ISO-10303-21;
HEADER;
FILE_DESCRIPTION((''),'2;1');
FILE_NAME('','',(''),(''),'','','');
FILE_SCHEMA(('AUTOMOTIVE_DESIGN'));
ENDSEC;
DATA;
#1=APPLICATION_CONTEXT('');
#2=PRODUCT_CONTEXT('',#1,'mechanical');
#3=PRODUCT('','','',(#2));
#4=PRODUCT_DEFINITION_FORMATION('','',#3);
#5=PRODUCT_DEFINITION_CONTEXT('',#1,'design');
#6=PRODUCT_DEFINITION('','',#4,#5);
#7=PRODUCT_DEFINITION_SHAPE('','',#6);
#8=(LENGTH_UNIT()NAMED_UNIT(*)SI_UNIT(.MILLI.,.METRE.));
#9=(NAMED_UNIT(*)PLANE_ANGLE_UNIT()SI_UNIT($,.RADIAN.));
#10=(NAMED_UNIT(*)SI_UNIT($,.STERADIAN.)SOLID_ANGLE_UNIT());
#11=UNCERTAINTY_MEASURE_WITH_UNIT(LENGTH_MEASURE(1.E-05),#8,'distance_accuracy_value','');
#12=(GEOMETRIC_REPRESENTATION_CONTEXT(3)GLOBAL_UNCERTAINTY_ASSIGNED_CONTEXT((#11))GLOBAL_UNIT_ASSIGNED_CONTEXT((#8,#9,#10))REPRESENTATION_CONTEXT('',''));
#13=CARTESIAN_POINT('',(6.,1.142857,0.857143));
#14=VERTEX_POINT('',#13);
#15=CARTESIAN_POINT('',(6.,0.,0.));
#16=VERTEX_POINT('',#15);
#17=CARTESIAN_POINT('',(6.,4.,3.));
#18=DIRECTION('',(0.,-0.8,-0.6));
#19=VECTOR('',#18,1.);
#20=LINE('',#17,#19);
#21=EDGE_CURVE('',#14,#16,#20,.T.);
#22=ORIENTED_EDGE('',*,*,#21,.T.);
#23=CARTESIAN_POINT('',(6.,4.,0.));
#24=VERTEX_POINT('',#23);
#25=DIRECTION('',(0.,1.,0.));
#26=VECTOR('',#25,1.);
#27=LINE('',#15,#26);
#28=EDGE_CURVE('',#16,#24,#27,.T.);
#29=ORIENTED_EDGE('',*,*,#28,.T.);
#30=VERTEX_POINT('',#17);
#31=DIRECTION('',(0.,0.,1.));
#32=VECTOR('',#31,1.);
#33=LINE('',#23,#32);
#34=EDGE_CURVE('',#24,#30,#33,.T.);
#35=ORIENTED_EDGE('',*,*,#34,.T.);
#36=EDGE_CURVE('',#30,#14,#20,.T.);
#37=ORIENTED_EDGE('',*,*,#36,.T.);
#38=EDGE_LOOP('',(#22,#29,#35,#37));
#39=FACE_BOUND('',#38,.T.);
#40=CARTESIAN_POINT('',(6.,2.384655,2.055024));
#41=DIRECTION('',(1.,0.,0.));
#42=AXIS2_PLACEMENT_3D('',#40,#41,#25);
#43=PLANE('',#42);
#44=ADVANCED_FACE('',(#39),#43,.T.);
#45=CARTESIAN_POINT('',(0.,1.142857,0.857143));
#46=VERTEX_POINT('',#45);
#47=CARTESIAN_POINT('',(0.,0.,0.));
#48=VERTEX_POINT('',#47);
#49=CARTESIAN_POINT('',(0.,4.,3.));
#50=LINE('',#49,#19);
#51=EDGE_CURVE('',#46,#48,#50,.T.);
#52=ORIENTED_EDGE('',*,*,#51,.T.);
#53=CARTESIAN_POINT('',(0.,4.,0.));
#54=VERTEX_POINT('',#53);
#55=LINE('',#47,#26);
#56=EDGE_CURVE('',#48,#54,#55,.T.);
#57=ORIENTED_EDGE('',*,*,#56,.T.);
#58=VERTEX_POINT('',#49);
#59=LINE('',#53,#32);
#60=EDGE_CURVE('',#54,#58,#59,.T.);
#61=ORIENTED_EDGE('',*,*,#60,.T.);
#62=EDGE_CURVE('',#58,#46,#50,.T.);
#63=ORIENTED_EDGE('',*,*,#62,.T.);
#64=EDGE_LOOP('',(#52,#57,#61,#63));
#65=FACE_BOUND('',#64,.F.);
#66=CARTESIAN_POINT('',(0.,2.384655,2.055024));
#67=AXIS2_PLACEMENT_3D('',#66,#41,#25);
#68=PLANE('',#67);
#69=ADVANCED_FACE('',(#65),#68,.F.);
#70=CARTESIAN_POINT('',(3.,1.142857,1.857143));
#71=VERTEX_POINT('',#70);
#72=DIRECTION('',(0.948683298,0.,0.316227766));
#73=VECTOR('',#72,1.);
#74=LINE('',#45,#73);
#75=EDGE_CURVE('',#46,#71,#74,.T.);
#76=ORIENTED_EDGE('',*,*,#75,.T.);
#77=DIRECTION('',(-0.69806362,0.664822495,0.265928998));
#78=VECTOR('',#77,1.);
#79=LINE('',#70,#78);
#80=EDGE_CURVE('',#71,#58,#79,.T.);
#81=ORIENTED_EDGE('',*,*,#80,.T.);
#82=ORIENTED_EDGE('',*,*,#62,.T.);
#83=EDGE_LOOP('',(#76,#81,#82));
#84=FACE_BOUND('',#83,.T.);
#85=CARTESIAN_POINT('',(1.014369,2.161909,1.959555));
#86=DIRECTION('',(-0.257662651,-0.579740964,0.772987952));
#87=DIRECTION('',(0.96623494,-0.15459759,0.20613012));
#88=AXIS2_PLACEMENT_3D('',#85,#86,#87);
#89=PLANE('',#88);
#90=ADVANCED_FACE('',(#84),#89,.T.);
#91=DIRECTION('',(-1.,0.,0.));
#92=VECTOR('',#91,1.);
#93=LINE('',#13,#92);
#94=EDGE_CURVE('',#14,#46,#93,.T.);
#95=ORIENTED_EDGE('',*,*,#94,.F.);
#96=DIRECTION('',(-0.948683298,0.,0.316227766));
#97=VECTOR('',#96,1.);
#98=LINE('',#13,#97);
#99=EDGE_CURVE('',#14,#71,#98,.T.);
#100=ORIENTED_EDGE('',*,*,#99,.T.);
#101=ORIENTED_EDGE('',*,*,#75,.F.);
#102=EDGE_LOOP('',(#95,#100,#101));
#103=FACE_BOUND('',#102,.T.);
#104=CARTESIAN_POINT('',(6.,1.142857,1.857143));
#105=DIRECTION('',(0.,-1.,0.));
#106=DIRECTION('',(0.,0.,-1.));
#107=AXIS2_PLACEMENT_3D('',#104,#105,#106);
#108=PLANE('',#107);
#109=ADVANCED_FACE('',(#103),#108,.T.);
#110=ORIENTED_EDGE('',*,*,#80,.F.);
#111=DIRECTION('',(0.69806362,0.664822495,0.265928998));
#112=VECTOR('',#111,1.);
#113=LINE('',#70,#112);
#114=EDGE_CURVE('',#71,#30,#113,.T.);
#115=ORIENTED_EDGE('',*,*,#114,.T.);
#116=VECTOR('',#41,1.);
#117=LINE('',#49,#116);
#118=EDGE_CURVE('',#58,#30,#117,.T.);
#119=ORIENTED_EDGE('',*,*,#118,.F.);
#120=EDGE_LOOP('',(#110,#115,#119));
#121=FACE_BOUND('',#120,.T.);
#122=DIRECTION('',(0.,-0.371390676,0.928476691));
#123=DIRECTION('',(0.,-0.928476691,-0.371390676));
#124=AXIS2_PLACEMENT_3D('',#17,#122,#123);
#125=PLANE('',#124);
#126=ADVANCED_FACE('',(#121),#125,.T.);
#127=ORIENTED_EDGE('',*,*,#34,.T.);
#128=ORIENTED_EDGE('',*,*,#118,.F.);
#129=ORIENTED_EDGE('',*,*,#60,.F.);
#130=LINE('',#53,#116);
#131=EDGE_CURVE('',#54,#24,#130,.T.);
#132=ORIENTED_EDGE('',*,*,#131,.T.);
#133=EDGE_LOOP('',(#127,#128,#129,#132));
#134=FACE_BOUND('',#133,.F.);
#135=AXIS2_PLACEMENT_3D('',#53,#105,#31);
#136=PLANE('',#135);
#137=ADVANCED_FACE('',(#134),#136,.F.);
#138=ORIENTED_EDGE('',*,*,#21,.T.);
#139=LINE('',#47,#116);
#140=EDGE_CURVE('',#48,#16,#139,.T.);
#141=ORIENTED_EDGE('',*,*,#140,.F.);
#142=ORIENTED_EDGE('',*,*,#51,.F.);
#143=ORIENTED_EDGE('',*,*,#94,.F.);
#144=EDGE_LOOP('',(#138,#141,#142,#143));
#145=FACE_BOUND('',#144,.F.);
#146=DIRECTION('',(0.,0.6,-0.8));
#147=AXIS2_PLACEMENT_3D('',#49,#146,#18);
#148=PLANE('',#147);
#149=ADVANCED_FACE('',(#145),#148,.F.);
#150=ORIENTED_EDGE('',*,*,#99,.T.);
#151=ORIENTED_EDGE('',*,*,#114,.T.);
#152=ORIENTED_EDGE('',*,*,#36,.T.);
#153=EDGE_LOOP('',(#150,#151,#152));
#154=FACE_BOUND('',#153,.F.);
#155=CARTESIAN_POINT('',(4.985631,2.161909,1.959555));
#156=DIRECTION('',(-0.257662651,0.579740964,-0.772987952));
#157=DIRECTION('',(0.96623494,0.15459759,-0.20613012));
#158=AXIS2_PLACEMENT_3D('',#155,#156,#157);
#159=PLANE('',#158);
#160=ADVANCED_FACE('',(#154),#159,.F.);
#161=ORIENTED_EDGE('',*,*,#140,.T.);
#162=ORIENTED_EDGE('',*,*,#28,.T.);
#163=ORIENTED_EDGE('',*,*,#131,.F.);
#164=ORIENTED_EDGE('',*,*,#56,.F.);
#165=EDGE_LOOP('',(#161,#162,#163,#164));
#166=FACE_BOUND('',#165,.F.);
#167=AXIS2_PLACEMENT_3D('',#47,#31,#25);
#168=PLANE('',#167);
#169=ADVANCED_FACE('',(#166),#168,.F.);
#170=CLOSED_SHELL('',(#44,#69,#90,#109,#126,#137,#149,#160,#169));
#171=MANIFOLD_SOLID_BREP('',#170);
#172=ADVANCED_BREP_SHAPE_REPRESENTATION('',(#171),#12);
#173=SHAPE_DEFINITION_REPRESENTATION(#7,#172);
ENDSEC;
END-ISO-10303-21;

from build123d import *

# Parameters (mm, degrees)
F1_DEPTH  = 6
F11_DEPTH = 6
F12_DEPTH = 25
F13_DEPTH = 25


with BuildPart() as f1:
    # F0 (on Right) → F1 (new body)
    with BuildSketch(Plane.YZ):
        Polygon((4, 3), (0, 0), (4, 0), align=None)
    extrude(amount=F1_DEPTH)

    # F10 (on face) → F11 (join)
    with BuildSketch(Plane.YZ.offset(6)):
        Polygon((1.1428571429, 1.8571428571), (1.1428571429, 0.8571428571), (4, 3), align=None)
    extrude(amount=-F11_DEPTH)

    # F9 (on 3pt) → F12 (cut)
    with BuildSketch(Plane(origin=(0.398340249, -0.8962655602, 1.1950207469), x_dir=(0.9662349396, 0.1545975903, -0.2061301204), z_dir=(-0.2576626506, 0.5797409638, -0.7729879517))):
        Polygon((5.7974096376, -1.4285714286), (2.6925746984, -2.0285714286), (5.7974096376, -5), align=None)
    extrude(amount=-F12_DEPTH, mode=Mode.SUBTRACT)

    # F7 (on 3pt) → F13 (cut)
    with BuildSketch(Plane(origin=(0, 0, 0), x_dir=(0.9662349396, -0.1545975903, 0.2061301204), z_dir=(-0.2576626506, -0.5797409638, 0.7729879517))):
        Polygon((3.1048349393, 2.0285714286), (0, 5), (0, 1.4285714286), align=None)
    extrude(amount=F13_DEPTH, mode=Mode.SUBTRACT)


solid = f1.part
